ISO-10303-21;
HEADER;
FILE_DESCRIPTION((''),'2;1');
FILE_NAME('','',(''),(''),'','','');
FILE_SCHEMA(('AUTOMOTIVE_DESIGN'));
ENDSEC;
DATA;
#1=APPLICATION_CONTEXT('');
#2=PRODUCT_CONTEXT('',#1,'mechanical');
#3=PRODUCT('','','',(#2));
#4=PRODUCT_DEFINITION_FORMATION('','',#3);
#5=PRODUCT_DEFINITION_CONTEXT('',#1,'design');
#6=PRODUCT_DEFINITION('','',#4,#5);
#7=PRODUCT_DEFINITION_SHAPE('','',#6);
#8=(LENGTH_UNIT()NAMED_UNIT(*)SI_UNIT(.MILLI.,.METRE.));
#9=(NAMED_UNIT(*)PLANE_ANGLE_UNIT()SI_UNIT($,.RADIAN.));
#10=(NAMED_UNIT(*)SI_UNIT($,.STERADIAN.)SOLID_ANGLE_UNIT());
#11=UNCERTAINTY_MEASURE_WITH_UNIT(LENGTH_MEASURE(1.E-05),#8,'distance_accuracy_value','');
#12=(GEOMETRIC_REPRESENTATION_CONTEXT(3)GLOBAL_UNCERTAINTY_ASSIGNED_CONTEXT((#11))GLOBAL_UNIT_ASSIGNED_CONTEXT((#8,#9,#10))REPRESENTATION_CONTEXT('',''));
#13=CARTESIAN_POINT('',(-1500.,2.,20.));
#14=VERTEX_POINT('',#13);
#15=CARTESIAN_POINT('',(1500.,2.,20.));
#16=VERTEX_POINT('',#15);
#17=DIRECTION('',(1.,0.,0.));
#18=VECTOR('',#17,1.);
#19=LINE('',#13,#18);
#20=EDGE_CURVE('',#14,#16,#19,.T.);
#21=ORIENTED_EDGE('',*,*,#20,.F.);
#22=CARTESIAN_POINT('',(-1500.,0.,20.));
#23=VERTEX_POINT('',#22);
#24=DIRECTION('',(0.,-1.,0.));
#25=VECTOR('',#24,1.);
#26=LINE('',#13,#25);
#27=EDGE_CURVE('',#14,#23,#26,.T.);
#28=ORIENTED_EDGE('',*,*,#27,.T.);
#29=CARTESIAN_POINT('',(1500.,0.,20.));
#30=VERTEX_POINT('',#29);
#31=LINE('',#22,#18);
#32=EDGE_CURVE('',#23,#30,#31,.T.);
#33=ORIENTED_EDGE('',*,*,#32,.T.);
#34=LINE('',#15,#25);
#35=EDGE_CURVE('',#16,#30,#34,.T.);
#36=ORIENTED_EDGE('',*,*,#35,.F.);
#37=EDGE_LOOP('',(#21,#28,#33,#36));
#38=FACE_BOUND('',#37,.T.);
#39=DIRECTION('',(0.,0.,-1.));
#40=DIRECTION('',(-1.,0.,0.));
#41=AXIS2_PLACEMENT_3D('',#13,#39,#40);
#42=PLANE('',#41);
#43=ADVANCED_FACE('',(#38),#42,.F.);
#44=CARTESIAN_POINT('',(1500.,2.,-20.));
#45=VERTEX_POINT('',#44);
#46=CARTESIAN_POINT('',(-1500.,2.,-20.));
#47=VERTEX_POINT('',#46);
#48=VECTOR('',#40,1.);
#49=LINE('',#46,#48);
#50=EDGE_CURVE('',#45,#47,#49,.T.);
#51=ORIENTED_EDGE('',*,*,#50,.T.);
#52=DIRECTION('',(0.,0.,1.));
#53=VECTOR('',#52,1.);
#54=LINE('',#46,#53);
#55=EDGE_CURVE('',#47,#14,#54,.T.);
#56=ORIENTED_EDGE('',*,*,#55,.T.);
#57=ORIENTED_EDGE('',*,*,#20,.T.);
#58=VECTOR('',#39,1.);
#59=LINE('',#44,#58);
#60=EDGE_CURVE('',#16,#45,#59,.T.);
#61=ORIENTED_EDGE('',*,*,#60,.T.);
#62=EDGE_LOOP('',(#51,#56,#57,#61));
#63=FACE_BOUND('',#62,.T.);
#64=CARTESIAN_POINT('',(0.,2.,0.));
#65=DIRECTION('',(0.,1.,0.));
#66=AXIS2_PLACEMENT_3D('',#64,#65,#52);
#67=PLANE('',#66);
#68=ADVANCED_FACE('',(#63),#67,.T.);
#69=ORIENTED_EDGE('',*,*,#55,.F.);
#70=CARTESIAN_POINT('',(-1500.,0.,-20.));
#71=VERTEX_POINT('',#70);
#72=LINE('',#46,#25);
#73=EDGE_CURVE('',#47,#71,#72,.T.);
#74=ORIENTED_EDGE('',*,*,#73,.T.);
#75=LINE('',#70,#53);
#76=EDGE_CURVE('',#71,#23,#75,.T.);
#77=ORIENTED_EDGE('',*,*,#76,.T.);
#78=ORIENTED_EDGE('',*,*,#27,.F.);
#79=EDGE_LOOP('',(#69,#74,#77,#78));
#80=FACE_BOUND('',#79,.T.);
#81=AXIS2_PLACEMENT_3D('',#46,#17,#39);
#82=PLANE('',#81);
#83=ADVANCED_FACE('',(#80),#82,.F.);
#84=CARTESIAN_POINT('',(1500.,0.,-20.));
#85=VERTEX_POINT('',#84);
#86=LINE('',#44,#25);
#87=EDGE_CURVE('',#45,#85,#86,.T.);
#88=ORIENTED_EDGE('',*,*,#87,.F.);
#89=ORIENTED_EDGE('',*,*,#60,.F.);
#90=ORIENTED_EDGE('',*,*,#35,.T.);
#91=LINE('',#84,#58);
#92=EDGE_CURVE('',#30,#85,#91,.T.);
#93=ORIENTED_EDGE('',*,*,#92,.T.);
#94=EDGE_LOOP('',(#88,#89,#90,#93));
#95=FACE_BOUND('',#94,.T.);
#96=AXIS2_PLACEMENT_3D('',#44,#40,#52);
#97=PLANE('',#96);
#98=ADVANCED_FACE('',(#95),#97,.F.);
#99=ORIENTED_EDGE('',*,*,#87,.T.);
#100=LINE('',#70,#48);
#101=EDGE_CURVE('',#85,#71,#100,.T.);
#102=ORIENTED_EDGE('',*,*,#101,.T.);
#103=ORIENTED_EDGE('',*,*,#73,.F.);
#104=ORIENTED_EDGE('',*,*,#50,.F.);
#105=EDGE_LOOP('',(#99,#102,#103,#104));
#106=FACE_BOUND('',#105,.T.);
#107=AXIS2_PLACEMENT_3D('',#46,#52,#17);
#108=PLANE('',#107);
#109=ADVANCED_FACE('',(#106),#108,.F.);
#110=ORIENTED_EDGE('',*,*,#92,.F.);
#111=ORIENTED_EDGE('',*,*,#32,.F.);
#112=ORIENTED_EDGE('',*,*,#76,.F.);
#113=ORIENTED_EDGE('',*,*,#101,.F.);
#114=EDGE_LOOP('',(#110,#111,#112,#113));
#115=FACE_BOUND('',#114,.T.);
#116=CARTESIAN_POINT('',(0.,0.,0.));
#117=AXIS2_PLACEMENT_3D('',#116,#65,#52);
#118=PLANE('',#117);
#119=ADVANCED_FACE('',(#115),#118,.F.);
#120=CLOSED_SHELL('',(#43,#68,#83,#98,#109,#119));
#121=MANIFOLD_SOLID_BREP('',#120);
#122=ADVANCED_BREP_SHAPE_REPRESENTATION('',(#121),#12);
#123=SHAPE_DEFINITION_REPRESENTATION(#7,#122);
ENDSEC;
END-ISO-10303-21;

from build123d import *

# Parameters (mm, degrees)
SKETCH_1_W      = 3000
SKETCH_1_H      = 40
EXTRUDE_1_DEPTH = 2


with BuildPart() as part:
    # Эскиз1 → Бобышка-Вытянуть1 (new body)
    with BuildSketch(Plane(origin=(0, 0, 0), x_dir=(1, 0, 0), z_dir=(0, 1, 0))):
        Rectangle(SKETCH_1_W, SKETCH_1_H)
    extrude(amount=EXTRUDE_1_DEPTH)


solid = part.part
